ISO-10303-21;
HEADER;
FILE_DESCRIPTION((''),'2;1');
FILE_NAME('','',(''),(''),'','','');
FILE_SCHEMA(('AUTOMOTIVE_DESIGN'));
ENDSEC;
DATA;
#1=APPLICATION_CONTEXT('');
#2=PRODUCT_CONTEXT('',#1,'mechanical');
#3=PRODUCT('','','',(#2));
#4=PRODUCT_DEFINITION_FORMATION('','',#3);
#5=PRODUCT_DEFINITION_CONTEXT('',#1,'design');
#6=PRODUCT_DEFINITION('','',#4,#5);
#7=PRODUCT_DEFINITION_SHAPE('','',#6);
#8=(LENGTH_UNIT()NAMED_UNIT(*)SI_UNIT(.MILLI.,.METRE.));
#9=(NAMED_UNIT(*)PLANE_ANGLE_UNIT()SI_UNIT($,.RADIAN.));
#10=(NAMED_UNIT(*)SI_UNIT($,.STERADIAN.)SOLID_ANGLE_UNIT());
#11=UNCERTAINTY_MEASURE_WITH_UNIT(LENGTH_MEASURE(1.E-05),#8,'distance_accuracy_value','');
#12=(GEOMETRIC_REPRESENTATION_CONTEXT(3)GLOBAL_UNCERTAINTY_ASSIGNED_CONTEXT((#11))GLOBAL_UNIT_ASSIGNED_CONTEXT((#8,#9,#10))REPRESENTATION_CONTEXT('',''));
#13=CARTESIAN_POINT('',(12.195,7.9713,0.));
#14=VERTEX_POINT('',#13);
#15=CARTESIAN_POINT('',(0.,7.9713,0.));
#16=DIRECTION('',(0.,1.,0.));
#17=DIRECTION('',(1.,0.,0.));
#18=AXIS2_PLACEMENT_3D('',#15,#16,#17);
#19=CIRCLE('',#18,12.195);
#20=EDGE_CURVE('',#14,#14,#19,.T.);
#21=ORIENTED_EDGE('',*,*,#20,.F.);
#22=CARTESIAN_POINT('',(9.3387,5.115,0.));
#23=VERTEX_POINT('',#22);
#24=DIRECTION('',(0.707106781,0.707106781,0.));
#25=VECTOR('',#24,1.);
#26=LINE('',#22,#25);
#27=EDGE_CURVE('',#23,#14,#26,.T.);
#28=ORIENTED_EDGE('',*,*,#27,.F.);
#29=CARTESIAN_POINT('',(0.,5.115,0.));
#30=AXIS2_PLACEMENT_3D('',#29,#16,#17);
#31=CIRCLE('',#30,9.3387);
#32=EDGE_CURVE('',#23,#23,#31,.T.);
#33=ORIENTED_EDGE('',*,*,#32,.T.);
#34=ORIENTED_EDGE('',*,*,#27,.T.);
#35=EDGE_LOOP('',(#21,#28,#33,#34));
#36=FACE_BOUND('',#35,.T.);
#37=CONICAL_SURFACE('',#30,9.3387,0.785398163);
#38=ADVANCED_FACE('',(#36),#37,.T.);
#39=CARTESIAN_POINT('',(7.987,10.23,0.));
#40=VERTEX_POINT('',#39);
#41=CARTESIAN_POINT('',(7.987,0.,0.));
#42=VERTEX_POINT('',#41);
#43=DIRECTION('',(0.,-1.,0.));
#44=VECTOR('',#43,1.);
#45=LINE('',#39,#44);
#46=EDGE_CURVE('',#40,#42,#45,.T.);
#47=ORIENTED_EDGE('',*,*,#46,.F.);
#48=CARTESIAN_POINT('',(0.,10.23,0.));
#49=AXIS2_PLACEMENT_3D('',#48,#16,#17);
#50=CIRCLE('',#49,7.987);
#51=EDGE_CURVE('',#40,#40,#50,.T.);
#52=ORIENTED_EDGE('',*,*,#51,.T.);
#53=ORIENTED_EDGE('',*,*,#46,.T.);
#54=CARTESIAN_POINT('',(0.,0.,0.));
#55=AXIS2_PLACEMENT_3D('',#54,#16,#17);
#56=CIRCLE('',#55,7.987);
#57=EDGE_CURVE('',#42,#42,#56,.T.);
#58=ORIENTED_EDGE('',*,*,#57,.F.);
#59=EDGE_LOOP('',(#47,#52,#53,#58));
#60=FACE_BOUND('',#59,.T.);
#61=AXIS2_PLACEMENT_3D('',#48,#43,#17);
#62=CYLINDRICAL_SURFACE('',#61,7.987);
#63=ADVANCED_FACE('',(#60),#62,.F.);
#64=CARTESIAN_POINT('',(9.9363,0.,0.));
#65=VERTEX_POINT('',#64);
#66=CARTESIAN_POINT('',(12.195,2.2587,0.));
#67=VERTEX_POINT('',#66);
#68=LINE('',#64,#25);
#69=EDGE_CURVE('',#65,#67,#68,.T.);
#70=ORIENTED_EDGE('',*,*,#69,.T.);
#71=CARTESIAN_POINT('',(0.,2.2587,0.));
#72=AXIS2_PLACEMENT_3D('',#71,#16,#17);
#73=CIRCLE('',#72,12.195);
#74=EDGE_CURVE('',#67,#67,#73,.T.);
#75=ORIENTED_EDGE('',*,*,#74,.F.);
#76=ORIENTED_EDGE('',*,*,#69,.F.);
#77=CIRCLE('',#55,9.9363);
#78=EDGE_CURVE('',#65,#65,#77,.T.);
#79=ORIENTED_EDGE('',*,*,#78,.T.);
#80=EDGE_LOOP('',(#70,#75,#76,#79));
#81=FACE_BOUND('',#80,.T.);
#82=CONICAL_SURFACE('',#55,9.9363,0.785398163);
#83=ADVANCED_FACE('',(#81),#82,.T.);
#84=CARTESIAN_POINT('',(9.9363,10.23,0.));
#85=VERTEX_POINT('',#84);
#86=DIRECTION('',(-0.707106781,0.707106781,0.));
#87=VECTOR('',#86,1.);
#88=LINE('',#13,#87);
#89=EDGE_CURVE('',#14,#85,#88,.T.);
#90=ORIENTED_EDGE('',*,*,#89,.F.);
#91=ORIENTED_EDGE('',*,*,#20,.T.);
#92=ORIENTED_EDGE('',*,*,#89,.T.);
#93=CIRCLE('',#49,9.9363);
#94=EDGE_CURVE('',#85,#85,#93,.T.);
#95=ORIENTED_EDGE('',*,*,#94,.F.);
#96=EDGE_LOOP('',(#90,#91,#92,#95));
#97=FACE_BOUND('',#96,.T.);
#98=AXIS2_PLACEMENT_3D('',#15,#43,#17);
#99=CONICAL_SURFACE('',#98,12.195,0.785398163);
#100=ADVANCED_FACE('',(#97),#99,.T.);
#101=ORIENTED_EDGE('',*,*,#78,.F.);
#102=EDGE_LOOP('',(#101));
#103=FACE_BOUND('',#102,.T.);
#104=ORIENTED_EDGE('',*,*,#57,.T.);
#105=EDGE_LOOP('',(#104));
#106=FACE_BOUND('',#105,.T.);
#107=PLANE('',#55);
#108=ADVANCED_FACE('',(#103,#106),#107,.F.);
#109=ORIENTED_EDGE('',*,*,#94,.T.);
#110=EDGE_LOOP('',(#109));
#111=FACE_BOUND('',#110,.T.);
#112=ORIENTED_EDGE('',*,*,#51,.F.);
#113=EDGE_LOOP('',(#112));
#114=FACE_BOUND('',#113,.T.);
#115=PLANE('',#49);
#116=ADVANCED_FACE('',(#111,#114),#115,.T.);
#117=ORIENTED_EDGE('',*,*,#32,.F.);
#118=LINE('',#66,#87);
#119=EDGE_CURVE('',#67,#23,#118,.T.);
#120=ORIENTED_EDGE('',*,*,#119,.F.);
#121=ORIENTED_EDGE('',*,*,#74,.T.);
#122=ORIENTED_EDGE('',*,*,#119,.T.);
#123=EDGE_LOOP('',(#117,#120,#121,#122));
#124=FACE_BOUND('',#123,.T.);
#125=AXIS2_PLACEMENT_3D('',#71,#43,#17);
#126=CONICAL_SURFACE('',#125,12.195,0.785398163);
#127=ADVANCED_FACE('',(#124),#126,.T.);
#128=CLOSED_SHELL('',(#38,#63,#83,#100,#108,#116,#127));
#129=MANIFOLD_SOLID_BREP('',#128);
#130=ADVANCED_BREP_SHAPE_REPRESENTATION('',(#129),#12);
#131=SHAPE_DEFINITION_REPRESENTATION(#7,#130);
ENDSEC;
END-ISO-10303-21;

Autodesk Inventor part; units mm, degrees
ref_plane "YZ Plane" through (0, 0, 0) normal (1, 0, 0) x (0, 1, 0)
ref_plane "XZ Plane" through (0, 0, 0) normal (0, 1, 0) x (-1, 0, 0)
ref_plane "XY Plane" through (0, 0, 0) normal (0, 0, 1) x (1, 0, 0)
sketch "Sketch1" plane through (0, 0, 0) normal (0, 0, 1) x (1, 0, 0)
  line L0 (0, 0) -> (0, 12.4297) construction
  line L1 (7.987, 0) -> (9.9363, 0)
  line L2 (9.9363, 0) -> (12.195, 2.2587)
  line L3 (12.195, 2.2587) -> (9.3387, 5.115)
  line L4 (9.3387, 5.115) -> (12.195, 7.9713)
  line L5 (12.195, 7.9713) -> (9.9363, 10.23)
  line L6 (9.9363, 10.23) -> (7.987, 10.23)
  line L7 (7.987, 10.23) -> (7.987, 0)
  line L8 (7.987, 5.115) -> (38.026, 5.115) construction
  line L9 (0, 0) -> (31.3179, 0) construction
  dimension "d0" = 10.23
  dimension "d1" = 15.974
  dimension "d2" = 90
  dimension "d4" = 90
  dimension "d5" = 24.39
revolve "Revolution1" add sketch "Sketch1" angle 360 about axis through (0, 0, 0) along (0, 1, 0)
properties part number "Delrin V-Wheel"
